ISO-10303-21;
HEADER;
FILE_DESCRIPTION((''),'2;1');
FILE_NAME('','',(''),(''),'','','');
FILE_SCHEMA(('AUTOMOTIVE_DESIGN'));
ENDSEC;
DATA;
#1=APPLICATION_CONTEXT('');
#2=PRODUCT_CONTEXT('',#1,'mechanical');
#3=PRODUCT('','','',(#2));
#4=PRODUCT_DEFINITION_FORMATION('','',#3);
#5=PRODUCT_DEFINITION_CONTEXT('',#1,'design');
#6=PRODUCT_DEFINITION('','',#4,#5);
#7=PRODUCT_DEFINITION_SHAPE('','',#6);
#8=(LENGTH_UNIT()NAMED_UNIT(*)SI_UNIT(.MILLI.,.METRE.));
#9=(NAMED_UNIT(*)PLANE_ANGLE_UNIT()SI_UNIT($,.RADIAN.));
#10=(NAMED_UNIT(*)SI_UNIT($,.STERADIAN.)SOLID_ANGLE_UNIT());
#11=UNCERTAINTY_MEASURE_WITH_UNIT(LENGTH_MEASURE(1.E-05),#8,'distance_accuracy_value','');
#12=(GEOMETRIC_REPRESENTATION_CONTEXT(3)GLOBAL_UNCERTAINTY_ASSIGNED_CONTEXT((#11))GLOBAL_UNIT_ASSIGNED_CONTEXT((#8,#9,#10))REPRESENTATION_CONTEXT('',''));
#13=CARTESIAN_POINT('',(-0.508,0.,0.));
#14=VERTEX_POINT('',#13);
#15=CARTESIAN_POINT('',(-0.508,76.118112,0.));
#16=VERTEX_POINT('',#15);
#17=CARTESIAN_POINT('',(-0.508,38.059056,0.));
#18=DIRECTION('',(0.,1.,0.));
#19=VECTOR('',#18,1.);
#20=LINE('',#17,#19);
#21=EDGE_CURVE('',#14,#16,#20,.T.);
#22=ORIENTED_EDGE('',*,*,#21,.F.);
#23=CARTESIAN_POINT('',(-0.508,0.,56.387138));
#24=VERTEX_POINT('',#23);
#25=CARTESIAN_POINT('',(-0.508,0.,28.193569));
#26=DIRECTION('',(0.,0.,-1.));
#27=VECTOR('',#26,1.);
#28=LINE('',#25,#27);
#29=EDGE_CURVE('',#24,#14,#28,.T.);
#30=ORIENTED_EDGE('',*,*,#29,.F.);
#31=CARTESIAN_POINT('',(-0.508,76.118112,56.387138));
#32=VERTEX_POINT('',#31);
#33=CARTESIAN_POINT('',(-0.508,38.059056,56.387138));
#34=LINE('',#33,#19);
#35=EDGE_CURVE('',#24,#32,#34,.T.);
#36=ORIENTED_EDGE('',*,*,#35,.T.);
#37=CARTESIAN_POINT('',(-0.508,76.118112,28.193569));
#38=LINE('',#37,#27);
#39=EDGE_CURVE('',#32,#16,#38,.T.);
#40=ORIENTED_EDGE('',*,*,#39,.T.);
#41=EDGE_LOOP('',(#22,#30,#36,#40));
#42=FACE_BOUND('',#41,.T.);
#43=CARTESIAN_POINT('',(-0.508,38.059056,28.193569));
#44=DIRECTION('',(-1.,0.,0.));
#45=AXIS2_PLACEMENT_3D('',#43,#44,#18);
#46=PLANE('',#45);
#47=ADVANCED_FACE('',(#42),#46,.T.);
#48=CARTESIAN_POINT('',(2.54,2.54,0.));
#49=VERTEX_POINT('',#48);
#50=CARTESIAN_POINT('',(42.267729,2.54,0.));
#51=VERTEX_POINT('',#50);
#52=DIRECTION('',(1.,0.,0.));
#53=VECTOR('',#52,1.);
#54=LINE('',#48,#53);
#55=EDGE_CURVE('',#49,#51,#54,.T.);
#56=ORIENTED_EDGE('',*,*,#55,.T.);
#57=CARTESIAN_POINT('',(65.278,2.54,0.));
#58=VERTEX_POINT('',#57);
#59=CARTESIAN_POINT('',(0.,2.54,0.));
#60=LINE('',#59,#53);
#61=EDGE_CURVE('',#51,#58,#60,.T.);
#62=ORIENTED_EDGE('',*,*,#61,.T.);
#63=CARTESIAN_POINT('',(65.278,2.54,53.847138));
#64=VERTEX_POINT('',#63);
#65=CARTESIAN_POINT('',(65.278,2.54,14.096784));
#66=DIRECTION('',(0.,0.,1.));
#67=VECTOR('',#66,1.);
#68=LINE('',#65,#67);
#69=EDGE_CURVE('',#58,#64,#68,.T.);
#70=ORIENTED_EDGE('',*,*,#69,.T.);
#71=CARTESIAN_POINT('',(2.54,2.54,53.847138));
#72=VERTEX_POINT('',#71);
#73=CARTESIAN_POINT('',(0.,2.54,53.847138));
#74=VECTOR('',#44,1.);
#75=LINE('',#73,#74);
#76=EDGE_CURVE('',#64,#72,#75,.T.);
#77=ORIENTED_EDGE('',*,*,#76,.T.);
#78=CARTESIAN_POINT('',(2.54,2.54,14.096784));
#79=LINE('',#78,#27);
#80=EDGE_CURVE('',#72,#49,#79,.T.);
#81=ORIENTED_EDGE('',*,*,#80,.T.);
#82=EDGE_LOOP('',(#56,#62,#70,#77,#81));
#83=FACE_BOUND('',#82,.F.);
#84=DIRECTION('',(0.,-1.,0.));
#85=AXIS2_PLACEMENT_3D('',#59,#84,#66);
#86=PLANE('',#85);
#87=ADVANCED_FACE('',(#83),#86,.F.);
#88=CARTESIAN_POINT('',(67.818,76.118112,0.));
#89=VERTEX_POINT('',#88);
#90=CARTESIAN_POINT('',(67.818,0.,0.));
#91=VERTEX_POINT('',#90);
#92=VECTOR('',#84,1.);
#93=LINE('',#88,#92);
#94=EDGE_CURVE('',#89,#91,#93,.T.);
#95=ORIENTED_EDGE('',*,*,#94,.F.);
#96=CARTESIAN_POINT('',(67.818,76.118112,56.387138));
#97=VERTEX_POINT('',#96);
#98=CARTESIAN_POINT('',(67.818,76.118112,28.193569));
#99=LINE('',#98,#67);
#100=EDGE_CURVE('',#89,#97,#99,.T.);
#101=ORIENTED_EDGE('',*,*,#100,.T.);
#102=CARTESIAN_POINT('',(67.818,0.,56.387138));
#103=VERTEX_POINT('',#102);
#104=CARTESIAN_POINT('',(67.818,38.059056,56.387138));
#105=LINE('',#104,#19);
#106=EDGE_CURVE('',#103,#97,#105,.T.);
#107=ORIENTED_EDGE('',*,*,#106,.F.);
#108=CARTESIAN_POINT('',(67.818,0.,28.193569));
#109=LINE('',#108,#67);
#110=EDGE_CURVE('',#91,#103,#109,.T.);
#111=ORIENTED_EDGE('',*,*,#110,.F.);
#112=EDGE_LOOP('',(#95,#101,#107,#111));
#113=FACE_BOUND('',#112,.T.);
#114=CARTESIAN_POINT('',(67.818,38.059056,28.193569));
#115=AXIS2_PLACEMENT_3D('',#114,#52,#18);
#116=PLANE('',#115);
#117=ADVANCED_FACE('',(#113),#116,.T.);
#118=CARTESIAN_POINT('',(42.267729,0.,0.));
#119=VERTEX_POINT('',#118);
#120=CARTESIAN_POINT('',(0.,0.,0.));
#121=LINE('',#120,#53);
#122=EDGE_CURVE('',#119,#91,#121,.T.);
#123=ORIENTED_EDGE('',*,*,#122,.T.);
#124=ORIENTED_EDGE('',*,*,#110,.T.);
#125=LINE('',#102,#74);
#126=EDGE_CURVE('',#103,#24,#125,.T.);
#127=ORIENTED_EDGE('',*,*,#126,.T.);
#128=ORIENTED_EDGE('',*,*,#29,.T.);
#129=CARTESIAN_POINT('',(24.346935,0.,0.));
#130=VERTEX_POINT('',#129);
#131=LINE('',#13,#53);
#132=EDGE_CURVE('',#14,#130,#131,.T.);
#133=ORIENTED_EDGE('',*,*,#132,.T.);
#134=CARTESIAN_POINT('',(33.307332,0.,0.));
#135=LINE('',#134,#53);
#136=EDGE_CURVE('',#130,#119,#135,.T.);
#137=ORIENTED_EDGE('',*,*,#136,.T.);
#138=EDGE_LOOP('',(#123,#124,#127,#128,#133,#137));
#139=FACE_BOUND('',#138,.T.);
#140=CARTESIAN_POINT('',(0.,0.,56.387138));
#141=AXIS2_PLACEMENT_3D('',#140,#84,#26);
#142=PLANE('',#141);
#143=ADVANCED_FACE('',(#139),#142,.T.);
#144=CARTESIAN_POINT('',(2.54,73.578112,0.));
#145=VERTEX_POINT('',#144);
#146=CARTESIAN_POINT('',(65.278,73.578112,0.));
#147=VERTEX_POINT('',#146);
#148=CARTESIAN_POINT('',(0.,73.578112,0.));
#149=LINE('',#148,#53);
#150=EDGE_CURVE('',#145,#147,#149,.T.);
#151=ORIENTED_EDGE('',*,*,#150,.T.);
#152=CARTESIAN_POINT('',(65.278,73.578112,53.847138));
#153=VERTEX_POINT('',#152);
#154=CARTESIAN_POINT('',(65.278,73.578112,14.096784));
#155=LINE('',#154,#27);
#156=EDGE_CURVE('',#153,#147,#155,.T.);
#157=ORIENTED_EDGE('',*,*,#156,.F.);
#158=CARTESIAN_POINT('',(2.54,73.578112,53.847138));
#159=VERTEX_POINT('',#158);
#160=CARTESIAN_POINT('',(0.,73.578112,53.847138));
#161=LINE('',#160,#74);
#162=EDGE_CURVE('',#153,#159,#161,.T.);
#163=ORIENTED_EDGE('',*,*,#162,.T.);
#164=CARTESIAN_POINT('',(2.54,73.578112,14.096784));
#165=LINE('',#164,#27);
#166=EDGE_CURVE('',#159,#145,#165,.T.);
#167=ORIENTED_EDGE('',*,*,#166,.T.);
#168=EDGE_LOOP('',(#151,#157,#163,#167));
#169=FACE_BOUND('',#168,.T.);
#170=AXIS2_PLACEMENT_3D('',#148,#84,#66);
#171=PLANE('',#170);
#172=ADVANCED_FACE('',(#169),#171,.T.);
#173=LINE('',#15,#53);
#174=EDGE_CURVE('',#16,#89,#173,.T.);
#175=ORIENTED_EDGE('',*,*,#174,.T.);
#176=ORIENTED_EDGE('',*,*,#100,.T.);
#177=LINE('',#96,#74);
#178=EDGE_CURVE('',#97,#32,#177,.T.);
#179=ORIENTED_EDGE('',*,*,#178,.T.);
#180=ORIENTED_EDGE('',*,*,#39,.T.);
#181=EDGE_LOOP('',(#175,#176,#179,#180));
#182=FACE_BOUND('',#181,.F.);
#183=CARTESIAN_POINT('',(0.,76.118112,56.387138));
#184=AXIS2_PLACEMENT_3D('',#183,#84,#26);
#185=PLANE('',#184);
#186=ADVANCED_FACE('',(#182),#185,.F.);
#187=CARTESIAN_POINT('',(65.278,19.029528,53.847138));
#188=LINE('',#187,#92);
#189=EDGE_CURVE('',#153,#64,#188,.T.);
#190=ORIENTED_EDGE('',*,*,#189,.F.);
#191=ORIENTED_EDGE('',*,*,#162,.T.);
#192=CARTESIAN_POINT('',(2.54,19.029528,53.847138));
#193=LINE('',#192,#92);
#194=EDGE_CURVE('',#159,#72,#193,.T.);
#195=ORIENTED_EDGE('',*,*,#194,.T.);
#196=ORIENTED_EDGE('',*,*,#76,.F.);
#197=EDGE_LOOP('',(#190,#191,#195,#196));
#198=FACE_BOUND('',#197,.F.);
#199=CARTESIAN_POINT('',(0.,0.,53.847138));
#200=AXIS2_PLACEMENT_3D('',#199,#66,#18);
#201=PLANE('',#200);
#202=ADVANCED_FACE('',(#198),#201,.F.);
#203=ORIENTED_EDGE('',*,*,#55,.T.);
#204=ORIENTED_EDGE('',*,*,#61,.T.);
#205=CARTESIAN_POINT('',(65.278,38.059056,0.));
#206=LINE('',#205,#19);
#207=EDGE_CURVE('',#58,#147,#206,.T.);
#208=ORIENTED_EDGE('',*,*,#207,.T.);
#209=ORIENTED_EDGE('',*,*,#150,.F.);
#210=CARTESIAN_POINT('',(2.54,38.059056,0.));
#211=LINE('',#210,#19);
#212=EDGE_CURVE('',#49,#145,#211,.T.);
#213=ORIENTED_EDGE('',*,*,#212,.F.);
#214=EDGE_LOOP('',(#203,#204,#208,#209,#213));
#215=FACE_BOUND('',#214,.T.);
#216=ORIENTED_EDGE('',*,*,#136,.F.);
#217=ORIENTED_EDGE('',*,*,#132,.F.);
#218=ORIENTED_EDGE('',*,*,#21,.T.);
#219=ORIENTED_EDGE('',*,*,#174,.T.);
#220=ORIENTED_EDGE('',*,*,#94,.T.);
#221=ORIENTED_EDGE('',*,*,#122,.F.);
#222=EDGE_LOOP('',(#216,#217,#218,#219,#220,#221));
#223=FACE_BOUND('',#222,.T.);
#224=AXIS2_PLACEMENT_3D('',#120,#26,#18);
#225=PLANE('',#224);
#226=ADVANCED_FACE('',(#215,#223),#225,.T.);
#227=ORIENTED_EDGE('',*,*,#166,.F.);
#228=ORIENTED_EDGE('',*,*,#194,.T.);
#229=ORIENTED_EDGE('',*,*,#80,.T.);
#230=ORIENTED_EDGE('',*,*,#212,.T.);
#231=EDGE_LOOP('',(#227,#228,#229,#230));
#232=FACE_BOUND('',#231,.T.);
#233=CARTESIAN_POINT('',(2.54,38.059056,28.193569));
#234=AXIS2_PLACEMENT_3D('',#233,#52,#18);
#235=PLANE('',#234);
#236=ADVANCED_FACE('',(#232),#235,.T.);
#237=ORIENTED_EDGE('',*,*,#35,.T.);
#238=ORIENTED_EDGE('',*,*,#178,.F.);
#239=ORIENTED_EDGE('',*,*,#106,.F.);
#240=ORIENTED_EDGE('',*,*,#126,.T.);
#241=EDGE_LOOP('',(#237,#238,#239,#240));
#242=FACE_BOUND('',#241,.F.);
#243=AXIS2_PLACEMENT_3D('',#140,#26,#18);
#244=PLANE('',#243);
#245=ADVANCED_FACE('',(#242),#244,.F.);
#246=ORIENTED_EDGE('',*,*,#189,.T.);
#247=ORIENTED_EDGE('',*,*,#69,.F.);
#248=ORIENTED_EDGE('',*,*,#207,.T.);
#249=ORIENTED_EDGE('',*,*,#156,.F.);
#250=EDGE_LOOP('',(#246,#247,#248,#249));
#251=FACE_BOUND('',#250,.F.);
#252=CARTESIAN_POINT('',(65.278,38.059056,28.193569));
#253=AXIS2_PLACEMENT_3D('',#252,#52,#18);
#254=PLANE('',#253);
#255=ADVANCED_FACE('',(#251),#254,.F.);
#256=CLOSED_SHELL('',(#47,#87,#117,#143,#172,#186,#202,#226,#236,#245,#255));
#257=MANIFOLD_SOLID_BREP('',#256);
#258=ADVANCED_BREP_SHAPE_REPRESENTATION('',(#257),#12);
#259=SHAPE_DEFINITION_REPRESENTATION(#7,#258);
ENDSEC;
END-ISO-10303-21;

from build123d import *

# Parameters (mm, degrees)
F0_W       = 76.1181116104
F0_H       = 56.3871376216
F1_DEPTH   = 67.818
F2_W       = 17.9207939655
F2_H       = 17.2872282565
F3_DEPTH   = 66.802
F4_T       = -2.54
F5_W       = 17.5273697823
F5_H       = 13.1161464378
F1_FACE2_W = 76.1181116104
F1_FACE2_H = 56.3871376216
F6_DEPTH   = 0.508


with BuildPart() as f1:
    # F0 (on Right) → F1 (new body)
    with BuildSketch(Plane.YZ):
        with Locations((38.0590558052, 28.1935688108)):
            Rectangle(F0_W, F0_H)
    extrude(amount=F1_DEPTH)

    # F2 (on face) → F3 (join)
    with BuildSketch(Plane.XZ):
        with Locations((33.3073316142, 8.6436141282)):
            Rectangle(F2_W, F2_H)
    extrude(amount=-F3_DEPTH)

    # F4
    f4_openings = [f1.faces().sort_by_distance(p)[0] for p in [
        (33.909, 38.059056, 0),
    ]]
    offset(amount=F4_T, openings=f4_openings)

    # F5 (on face) + F1_face2 (on face) → F6 (join)
    with BuildSketch(Plane.YZ.offset(67.818)):
        with Locations((35.2515848354, 6.5580732189)):
            Rectangle(F5_W, F5_H)
    with BuildSketch(Plane(origin=(0, 38.0590558052, 28.1935688108), x_dir=(0, 1, 0), z_dir=(-1, 0, 0))):
        Rectangle(F1_FACE2_W, F1_FACE2_H)
    extrude(amount=-F6_DEPTH, dir=(1, 0, 0))


solid = f1.part
